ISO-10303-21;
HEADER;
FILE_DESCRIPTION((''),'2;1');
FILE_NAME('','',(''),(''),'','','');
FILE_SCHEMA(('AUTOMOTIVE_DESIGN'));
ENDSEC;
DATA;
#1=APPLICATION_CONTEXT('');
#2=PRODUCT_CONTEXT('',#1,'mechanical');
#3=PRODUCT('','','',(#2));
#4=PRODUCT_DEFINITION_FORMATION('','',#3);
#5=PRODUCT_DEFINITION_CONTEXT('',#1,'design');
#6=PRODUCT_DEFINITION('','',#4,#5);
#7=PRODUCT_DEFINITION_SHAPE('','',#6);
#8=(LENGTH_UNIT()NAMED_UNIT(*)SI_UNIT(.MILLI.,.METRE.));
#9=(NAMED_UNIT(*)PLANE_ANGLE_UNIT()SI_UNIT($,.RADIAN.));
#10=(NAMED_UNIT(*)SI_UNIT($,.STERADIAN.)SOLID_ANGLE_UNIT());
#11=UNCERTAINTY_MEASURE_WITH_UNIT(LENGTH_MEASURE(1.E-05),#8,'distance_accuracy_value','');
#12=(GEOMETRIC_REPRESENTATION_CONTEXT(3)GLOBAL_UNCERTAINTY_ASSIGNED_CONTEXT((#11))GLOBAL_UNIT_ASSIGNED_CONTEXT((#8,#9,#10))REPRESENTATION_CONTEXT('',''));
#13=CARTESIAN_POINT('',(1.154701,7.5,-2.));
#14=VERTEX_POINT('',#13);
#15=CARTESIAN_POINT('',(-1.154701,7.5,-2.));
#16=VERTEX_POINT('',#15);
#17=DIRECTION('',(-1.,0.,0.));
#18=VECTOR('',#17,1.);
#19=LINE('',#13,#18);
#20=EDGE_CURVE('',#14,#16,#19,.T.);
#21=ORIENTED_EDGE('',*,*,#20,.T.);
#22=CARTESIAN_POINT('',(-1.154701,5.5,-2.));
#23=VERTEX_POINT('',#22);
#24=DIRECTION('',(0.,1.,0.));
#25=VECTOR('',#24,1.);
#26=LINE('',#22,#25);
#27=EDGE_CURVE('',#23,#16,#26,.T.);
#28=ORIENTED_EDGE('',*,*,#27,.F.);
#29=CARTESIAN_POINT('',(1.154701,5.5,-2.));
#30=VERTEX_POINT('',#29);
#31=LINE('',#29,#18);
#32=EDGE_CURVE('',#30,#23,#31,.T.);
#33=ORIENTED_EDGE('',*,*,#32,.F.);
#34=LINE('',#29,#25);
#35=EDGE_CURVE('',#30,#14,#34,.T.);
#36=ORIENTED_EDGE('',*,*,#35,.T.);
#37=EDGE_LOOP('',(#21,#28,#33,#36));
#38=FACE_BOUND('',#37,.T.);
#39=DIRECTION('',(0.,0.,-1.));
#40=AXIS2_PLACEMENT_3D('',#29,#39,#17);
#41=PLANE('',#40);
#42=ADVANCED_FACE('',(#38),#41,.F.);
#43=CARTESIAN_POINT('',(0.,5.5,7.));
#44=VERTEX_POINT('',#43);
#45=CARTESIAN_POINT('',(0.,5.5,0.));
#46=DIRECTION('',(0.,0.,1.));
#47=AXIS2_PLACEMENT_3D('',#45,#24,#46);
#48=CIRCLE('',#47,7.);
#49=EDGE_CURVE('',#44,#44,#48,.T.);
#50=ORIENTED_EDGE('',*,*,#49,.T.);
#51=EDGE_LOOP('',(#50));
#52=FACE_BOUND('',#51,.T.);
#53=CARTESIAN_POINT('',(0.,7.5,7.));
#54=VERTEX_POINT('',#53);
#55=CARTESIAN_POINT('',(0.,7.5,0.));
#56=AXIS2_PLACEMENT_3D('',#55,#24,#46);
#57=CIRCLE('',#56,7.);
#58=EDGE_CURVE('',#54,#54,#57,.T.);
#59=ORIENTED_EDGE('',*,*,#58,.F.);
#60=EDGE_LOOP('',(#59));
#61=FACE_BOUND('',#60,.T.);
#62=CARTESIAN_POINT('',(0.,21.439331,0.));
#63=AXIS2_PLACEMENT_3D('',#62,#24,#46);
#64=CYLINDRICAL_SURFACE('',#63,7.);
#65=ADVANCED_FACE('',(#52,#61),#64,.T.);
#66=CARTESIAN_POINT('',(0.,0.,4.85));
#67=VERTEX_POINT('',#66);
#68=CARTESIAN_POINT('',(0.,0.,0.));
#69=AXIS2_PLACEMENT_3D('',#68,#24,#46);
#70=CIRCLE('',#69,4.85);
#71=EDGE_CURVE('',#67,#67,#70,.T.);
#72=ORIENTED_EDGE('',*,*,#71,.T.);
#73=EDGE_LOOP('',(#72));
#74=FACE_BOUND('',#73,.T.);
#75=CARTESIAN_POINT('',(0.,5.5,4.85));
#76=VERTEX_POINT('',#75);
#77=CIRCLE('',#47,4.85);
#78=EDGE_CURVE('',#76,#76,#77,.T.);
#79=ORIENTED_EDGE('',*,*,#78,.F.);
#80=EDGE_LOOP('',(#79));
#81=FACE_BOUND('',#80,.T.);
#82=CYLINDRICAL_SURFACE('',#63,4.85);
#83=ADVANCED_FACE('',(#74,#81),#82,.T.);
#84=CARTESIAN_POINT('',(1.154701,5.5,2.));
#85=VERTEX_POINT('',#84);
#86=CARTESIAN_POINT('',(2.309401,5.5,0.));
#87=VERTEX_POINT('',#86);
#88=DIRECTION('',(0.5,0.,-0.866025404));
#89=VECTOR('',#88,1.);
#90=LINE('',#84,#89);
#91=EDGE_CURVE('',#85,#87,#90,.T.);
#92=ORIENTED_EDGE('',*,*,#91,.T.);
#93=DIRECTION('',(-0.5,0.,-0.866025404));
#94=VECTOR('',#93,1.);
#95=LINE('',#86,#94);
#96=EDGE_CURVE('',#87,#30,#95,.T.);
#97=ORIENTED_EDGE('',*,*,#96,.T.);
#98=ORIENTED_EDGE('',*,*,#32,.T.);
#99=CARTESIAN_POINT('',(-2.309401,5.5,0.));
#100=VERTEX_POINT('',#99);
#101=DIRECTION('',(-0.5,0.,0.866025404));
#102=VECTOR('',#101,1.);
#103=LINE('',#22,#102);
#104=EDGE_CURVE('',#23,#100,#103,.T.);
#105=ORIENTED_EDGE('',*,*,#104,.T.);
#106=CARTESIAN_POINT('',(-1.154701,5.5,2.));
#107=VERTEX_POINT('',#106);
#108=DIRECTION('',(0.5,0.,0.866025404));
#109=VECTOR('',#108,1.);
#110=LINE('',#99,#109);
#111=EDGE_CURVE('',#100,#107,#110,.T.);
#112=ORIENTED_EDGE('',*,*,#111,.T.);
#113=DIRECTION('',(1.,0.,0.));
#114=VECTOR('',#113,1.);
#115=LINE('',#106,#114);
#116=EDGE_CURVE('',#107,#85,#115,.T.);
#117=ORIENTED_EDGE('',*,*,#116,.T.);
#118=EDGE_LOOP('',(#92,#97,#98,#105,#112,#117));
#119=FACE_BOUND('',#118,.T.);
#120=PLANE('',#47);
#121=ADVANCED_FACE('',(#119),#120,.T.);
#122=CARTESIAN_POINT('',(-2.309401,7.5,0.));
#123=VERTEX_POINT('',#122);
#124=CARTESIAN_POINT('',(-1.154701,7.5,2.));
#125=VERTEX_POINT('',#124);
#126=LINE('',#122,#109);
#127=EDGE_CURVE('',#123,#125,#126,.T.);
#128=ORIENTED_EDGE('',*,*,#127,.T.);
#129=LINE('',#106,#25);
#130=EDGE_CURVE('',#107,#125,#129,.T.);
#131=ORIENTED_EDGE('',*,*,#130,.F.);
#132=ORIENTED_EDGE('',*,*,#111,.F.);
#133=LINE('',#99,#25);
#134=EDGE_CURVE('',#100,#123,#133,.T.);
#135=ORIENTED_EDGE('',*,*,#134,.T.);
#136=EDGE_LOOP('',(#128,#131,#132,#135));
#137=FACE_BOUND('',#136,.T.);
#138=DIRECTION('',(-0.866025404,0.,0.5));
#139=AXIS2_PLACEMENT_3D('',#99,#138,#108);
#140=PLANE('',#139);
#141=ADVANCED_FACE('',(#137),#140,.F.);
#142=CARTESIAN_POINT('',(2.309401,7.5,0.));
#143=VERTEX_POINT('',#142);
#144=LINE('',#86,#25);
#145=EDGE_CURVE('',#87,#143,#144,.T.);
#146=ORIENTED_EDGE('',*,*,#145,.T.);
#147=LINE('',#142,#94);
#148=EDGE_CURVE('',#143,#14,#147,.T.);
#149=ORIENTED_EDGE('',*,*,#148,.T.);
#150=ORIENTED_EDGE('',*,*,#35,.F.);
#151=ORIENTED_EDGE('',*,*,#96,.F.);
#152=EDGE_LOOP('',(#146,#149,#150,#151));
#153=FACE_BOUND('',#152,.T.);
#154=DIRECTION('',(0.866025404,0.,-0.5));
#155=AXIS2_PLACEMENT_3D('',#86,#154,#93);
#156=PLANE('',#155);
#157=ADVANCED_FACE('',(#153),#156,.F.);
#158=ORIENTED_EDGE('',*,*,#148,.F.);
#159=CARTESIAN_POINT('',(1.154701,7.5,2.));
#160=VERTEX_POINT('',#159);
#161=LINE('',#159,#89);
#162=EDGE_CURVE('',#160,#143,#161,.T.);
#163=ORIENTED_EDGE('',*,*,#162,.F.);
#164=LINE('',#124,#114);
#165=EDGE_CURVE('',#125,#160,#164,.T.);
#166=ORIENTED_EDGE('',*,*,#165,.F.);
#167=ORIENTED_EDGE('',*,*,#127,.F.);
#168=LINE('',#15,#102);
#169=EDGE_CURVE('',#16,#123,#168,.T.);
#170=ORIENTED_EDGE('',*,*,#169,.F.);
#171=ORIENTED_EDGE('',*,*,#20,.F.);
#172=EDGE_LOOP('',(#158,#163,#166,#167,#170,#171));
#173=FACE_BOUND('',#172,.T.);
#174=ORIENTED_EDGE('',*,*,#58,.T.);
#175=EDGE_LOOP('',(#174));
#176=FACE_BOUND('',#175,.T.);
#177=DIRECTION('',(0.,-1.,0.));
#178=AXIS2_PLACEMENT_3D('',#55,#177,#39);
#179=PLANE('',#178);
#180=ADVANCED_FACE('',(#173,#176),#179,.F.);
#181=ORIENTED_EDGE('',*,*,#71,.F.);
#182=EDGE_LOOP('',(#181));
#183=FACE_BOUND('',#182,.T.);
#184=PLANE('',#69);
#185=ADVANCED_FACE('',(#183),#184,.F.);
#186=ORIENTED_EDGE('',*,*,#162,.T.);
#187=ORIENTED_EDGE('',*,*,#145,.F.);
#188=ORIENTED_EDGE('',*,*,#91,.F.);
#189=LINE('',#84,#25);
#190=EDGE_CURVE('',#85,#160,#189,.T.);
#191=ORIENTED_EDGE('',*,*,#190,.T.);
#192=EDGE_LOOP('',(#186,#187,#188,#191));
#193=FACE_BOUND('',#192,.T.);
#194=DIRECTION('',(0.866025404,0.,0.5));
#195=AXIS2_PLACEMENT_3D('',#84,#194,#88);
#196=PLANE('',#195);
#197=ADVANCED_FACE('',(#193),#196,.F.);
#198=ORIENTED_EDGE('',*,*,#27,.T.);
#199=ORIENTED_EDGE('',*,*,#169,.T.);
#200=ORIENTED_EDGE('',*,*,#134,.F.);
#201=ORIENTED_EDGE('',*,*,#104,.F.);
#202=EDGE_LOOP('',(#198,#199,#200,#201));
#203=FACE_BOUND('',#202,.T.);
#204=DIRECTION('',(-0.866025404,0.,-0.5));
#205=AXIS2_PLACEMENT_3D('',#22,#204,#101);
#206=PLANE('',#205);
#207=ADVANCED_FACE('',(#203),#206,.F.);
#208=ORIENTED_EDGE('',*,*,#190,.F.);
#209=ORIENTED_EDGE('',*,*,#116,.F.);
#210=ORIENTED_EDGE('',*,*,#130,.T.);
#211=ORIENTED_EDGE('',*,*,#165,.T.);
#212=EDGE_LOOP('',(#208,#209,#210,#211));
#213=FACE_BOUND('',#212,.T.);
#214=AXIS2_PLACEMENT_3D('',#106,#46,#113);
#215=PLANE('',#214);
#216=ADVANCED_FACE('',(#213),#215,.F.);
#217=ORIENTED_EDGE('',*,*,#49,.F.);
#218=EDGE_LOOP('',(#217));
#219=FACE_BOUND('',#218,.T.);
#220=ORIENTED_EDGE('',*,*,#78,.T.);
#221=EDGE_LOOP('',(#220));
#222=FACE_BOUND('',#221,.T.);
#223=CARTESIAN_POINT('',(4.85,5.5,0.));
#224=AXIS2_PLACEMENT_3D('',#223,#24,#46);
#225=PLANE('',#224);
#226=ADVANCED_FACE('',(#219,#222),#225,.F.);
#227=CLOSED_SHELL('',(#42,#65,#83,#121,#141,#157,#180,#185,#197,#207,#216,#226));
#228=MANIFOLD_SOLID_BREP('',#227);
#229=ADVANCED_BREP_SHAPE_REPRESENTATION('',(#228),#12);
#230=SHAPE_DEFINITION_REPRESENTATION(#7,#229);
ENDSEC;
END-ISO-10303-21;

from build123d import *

# Parameters (mm, degrees)
CUT_EXTRUDE_1_DEPTH = 2


with BuildPart() as part:
    # Эскиз1 → Повернуть1 (revolve)
    with BuildSketch(Plane.XY, mode=Mode.PRIVATE) as revolve_1_sk:
        Polygon((0, 7.5), (7, 7.5), (7, 5.5), (4.85, 5.5), (4.85, 0), (0, 0), align=None)
    revolve(revolve_1_sk.sketch.rotate(Axis((0, 21.439331355, 0), (0, -1, 0)), 90), axis=Axis((0, 21.439331355, 0), (0, -1, 0)))

    # Эскиз2 → Вырез-Вытянуть1 (cut)
    with BuildSketch(Plane(origin=(0, 7.5, 0), x_dir=(1, 0, 0), z_dir=(0, 1, 0))):
        Polygon((2.309401077, 0), (1.154700538, 2), (-1.154700538, 2), (-2.309401077, 0), (-1.154700538, -2), (1.154700538, -2), align=None)
    extrude(amount=-CUT_EXTRUDE_1_DEPTH, mode=Mode.SUBTRACT)


solid = part.part
